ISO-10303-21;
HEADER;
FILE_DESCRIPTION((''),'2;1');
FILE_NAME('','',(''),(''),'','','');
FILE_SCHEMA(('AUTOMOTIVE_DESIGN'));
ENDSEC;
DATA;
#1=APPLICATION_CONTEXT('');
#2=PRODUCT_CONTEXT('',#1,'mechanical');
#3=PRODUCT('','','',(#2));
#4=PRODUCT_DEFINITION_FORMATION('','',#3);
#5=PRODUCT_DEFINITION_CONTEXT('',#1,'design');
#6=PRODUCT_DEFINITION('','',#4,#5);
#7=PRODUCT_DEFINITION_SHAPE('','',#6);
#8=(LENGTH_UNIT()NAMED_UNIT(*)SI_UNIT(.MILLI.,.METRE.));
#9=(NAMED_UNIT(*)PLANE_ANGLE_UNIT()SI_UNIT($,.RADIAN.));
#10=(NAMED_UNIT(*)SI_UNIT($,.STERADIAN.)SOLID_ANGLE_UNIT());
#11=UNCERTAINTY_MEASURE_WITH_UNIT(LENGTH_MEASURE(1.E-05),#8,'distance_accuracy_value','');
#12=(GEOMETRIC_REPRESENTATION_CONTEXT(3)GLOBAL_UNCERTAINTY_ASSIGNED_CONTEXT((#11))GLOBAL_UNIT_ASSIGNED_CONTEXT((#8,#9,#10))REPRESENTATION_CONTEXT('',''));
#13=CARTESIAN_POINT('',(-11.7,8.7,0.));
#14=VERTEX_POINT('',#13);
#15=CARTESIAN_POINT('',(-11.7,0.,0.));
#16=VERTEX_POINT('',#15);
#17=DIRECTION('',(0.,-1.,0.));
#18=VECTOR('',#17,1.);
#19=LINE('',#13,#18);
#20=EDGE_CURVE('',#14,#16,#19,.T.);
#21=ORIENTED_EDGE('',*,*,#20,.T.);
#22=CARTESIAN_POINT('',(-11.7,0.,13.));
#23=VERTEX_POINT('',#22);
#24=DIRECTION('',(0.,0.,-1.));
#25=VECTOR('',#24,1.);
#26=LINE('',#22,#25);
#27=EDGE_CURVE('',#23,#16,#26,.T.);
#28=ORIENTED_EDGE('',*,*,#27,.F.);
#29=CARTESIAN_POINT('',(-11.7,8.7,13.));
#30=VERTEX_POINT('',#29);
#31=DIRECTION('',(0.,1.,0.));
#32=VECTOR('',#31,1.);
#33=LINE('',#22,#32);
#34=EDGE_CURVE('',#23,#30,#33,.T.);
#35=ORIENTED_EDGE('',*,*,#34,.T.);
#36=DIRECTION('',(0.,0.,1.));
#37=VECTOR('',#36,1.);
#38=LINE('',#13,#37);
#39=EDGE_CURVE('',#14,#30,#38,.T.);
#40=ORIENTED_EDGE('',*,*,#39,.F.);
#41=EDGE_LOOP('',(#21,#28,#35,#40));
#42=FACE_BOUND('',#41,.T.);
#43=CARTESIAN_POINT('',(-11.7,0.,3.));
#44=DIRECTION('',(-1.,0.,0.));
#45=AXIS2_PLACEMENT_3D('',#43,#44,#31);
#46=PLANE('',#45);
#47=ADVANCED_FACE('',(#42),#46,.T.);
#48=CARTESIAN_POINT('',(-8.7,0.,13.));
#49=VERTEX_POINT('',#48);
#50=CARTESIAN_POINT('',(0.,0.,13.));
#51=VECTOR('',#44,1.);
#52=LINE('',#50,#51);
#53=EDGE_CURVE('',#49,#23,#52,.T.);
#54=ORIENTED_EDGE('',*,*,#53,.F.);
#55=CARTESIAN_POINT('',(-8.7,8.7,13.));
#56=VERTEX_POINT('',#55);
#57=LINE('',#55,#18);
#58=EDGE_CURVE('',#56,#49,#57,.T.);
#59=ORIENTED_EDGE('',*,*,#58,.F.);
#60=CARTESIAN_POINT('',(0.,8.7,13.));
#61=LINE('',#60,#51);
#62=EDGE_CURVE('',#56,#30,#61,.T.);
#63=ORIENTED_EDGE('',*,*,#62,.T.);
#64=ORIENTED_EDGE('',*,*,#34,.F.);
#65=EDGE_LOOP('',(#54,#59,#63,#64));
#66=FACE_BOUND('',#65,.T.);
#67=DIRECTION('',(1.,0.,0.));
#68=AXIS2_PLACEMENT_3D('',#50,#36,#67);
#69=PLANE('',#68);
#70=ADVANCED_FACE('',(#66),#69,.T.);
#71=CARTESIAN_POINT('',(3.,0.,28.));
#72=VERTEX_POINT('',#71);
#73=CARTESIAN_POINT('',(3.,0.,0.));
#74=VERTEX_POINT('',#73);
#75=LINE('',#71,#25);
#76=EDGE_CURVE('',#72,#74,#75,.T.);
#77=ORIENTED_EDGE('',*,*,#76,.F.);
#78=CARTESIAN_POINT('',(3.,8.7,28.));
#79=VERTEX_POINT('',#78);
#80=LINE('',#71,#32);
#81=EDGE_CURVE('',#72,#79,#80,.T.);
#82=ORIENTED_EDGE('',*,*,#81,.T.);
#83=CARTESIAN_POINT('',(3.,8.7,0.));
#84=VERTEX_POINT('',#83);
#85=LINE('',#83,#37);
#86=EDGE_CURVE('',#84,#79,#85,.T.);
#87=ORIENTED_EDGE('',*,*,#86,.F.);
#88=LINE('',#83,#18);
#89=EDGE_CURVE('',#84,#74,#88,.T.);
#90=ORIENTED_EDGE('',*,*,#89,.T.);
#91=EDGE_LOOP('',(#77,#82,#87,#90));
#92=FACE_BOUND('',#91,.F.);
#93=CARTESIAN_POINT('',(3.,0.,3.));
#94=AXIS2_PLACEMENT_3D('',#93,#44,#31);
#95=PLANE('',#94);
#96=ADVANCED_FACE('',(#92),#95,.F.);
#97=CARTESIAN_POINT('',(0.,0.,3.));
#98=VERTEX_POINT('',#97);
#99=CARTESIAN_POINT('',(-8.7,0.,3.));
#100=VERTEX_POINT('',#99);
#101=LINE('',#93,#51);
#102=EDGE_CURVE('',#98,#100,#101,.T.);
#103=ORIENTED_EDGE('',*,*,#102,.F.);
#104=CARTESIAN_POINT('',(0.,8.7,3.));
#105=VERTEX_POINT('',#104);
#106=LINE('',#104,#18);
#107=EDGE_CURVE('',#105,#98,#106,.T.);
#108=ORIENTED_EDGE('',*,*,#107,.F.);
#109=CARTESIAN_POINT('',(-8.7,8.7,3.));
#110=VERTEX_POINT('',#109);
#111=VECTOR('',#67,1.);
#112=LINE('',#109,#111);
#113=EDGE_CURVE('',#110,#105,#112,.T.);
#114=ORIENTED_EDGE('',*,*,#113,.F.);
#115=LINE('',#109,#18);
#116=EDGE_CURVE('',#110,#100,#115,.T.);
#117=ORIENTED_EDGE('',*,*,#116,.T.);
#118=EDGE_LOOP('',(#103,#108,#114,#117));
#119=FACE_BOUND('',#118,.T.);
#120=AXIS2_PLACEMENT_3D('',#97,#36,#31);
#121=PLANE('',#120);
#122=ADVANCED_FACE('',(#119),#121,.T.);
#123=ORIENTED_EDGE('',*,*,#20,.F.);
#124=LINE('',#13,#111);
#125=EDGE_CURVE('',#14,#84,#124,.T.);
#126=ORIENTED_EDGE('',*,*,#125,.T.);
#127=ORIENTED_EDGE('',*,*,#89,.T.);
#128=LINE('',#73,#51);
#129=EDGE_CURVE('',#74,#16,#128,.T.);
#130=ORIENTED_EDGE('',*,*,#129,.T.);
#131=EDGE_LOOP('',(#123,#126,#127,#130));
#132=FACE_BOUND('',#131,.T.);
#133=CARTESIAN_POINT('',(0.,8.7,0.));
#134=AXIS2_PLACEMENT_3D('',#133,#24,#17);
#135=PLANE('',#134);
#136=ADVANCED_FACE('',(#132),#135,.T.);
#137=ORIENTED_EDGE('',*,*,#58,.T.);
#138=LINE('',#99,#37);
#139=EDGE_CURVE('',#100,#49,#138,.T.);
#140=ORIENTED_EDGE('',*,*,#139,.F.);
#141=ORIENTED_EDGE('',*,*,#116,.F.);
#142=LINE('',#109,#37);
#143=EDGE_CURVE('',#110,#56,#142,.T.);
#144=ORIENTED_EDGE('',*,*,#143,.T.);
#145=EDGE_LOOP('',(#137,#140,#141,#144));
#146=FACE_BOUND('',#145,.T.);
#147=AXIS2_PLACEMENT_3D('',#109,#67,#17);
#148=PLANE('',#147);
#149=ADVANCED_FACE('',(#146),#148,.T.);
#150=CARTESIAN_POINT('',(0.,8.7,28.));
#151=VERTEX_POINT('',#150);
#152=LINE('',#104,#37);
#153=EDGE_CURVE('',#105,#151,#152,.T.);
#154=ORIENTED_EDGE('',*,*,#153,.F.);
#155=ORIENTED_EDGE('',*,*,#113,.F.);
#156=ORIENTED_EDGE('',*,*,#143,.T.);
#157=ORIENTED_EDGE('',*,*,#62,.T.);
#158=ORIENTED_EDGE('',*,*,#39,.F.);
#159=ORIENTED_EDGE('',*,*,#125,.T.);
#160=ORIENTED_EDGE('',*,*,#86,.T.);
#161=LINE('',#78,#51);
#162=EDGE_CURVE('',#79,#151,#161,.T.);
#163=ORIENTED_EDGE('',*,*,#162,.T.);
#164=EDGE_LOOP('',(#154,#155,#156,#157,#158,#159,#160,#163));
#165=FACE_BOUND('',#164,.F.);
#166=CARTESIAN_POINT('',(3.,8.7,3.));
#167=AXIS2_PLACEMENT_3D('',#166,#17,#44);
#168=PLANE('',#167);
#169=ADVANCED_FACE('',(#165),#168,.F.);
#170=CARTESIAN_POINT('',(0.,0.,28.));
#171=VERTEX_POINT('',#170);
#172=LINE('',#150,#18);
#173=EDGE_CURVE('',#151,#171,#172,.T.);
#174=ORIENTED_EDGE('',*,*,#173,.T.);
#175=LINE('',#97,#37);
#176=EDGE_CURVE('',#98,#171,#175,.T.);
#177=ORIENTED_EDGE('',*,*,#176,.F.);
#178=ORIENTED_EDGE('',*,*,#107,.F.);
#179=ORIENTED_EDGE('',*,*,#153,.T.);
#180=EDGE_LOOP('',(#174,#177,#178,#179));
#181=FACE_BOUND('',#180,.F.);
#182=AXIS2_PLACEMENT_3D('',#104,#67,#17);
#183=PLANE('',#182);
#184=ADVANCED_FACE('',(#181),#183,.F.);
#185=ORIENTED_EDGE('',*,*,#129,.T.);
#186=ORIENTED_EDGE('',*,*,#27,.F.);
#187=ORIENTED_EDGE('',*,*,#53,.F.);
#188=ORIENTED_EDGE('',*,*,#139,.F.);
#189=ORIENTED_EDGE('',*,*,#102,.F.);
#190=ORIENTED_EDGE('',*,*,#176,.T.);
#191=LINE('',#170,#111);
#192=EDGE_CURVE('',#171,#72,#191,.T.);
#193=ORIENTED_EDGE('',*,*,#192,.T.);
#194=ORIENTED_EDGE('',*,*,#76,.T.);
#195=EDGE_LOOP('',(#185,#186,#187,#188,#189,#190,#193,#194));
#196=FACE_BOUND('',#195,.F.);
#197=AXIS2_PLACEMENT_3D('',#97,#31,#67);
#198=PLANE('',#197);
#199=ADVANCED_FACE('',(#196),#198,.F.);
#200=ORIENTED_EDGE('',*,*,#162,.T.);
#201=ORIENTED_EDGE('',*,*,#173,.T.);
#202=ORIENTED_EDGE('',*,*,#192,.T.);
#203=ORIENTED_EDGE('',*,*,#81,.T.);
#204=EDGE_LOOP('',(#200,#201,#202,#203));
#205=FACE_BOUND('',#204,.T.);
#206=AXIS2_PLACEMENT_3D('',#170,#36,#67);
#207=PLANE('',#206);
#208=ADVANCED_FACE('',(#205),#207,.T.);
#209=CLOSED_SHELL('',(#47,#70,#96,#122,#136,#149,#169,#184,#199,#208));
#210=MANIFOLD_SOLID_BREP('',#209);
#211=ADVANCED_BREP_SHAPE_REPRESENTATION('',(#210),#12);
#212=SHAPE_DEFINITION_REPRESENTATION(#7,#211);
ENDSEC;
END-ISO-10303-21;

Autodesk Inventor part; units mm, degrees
ref_plane "YZ Plane" through (0, 0, 0) normal (1, 0, 0) x (0, 1, 0)
ref_plane "XZ Plane" through (0, 0, 0) normal (0, 1, 0) x (-1, 0, 0)
ref_plane "XY Plane" through (0, 0, 0) normal (0, 0, 1) x (1, 0, 0)
sketch "Sketch1" plane through (0, 0, 0) normal (0, 0, 1) x (1, 0, 0)
  line L0 (0, 0) -> (-8.7, 0)
  line L1 (-8.7, 0) -> (-8.7, 8.7)
  line L2 (-8.7, 8.7) -> (0, 8.7)
  line L3 (0, 8.7) -> (0, 0)
  dimension "d0" = 8.7
  dimension "d1" = 8.7
extrude "Extrusion1" add sketch "Sketch1" along normal blind 3
sketch "Sketch2" plane through (-8.7, 0, 0) normal (-1, 0, 0) x (0, 0, 1)
  line L0 (0, 8.7) -> (0, 0) projected
  line L1 (0, 0) -> (3, 0)
  line L2 (3, 0) -> (3, 8.7)
  line L3 (3, 8.7) -> (0, 8.7)
  line L4 (0, 8.7) -> (0, 0)
extrude "Extrusion2" add sketch "Sketch2" along normal blind 3
sketch "Sketch3" plane through (0, 0, 3) normal (0, 0, 1) x (1, 0, 0)
  line L0 (0, 8.7) -> (-11.7, 8.7) projected
  line L1 (0, 0) -> (-11.7, 0) projected
  line L2 (-11.7, 8.7) -> (-8.7, 8.7)
  line L3 (-8.7, 8.7) -> (-8.7, 0)
  line L4 (-8.7, 0) -> (-11.7, 0)
  line L5 (-11.7, 0) -> (-11.7, 8.7)
  dimension "d6" = 3
extrude "Extrusion3" add sketch "Sketch3" along normal blind 10
sketch "Sketch5" plane through (0, 0, 0) normal (1, 0, 0) x (0, 0, -1)
  line L0 (0, 8.7) -> (-3, 8.7) projected
  line L1 (0, 0) -> (-3, 0)
  line L2 (-3, 0) -> (-3, 8.7)
  line L3 (-3, 8.7) -> (0, 8.7)
  line L4 (0, 8.7) -> (0, 0)
  dimension "d9" = 3
extrude "Extrusion4" add sketch "Sketch5" along normal blind 3
sketch "Sketch6" plane through (0, 0, 3) normal (0, 0, 1) x (1, 0, 0)
  line L0 (3, 8.7) -> (-11.7, 8.7) projected
  line L1 (3, 8.7) -> (0, 8.7)
  line L2 (0, 8.7) -> (0, 0)
  line L3 (0, 0) -> (3, 0)
  line L4 (3, 0) -> (3, 8.7)
extrude "Extrusion5" add sketch "Sketch6" along normal blind 25
properties part number "Hook_TestFit"
